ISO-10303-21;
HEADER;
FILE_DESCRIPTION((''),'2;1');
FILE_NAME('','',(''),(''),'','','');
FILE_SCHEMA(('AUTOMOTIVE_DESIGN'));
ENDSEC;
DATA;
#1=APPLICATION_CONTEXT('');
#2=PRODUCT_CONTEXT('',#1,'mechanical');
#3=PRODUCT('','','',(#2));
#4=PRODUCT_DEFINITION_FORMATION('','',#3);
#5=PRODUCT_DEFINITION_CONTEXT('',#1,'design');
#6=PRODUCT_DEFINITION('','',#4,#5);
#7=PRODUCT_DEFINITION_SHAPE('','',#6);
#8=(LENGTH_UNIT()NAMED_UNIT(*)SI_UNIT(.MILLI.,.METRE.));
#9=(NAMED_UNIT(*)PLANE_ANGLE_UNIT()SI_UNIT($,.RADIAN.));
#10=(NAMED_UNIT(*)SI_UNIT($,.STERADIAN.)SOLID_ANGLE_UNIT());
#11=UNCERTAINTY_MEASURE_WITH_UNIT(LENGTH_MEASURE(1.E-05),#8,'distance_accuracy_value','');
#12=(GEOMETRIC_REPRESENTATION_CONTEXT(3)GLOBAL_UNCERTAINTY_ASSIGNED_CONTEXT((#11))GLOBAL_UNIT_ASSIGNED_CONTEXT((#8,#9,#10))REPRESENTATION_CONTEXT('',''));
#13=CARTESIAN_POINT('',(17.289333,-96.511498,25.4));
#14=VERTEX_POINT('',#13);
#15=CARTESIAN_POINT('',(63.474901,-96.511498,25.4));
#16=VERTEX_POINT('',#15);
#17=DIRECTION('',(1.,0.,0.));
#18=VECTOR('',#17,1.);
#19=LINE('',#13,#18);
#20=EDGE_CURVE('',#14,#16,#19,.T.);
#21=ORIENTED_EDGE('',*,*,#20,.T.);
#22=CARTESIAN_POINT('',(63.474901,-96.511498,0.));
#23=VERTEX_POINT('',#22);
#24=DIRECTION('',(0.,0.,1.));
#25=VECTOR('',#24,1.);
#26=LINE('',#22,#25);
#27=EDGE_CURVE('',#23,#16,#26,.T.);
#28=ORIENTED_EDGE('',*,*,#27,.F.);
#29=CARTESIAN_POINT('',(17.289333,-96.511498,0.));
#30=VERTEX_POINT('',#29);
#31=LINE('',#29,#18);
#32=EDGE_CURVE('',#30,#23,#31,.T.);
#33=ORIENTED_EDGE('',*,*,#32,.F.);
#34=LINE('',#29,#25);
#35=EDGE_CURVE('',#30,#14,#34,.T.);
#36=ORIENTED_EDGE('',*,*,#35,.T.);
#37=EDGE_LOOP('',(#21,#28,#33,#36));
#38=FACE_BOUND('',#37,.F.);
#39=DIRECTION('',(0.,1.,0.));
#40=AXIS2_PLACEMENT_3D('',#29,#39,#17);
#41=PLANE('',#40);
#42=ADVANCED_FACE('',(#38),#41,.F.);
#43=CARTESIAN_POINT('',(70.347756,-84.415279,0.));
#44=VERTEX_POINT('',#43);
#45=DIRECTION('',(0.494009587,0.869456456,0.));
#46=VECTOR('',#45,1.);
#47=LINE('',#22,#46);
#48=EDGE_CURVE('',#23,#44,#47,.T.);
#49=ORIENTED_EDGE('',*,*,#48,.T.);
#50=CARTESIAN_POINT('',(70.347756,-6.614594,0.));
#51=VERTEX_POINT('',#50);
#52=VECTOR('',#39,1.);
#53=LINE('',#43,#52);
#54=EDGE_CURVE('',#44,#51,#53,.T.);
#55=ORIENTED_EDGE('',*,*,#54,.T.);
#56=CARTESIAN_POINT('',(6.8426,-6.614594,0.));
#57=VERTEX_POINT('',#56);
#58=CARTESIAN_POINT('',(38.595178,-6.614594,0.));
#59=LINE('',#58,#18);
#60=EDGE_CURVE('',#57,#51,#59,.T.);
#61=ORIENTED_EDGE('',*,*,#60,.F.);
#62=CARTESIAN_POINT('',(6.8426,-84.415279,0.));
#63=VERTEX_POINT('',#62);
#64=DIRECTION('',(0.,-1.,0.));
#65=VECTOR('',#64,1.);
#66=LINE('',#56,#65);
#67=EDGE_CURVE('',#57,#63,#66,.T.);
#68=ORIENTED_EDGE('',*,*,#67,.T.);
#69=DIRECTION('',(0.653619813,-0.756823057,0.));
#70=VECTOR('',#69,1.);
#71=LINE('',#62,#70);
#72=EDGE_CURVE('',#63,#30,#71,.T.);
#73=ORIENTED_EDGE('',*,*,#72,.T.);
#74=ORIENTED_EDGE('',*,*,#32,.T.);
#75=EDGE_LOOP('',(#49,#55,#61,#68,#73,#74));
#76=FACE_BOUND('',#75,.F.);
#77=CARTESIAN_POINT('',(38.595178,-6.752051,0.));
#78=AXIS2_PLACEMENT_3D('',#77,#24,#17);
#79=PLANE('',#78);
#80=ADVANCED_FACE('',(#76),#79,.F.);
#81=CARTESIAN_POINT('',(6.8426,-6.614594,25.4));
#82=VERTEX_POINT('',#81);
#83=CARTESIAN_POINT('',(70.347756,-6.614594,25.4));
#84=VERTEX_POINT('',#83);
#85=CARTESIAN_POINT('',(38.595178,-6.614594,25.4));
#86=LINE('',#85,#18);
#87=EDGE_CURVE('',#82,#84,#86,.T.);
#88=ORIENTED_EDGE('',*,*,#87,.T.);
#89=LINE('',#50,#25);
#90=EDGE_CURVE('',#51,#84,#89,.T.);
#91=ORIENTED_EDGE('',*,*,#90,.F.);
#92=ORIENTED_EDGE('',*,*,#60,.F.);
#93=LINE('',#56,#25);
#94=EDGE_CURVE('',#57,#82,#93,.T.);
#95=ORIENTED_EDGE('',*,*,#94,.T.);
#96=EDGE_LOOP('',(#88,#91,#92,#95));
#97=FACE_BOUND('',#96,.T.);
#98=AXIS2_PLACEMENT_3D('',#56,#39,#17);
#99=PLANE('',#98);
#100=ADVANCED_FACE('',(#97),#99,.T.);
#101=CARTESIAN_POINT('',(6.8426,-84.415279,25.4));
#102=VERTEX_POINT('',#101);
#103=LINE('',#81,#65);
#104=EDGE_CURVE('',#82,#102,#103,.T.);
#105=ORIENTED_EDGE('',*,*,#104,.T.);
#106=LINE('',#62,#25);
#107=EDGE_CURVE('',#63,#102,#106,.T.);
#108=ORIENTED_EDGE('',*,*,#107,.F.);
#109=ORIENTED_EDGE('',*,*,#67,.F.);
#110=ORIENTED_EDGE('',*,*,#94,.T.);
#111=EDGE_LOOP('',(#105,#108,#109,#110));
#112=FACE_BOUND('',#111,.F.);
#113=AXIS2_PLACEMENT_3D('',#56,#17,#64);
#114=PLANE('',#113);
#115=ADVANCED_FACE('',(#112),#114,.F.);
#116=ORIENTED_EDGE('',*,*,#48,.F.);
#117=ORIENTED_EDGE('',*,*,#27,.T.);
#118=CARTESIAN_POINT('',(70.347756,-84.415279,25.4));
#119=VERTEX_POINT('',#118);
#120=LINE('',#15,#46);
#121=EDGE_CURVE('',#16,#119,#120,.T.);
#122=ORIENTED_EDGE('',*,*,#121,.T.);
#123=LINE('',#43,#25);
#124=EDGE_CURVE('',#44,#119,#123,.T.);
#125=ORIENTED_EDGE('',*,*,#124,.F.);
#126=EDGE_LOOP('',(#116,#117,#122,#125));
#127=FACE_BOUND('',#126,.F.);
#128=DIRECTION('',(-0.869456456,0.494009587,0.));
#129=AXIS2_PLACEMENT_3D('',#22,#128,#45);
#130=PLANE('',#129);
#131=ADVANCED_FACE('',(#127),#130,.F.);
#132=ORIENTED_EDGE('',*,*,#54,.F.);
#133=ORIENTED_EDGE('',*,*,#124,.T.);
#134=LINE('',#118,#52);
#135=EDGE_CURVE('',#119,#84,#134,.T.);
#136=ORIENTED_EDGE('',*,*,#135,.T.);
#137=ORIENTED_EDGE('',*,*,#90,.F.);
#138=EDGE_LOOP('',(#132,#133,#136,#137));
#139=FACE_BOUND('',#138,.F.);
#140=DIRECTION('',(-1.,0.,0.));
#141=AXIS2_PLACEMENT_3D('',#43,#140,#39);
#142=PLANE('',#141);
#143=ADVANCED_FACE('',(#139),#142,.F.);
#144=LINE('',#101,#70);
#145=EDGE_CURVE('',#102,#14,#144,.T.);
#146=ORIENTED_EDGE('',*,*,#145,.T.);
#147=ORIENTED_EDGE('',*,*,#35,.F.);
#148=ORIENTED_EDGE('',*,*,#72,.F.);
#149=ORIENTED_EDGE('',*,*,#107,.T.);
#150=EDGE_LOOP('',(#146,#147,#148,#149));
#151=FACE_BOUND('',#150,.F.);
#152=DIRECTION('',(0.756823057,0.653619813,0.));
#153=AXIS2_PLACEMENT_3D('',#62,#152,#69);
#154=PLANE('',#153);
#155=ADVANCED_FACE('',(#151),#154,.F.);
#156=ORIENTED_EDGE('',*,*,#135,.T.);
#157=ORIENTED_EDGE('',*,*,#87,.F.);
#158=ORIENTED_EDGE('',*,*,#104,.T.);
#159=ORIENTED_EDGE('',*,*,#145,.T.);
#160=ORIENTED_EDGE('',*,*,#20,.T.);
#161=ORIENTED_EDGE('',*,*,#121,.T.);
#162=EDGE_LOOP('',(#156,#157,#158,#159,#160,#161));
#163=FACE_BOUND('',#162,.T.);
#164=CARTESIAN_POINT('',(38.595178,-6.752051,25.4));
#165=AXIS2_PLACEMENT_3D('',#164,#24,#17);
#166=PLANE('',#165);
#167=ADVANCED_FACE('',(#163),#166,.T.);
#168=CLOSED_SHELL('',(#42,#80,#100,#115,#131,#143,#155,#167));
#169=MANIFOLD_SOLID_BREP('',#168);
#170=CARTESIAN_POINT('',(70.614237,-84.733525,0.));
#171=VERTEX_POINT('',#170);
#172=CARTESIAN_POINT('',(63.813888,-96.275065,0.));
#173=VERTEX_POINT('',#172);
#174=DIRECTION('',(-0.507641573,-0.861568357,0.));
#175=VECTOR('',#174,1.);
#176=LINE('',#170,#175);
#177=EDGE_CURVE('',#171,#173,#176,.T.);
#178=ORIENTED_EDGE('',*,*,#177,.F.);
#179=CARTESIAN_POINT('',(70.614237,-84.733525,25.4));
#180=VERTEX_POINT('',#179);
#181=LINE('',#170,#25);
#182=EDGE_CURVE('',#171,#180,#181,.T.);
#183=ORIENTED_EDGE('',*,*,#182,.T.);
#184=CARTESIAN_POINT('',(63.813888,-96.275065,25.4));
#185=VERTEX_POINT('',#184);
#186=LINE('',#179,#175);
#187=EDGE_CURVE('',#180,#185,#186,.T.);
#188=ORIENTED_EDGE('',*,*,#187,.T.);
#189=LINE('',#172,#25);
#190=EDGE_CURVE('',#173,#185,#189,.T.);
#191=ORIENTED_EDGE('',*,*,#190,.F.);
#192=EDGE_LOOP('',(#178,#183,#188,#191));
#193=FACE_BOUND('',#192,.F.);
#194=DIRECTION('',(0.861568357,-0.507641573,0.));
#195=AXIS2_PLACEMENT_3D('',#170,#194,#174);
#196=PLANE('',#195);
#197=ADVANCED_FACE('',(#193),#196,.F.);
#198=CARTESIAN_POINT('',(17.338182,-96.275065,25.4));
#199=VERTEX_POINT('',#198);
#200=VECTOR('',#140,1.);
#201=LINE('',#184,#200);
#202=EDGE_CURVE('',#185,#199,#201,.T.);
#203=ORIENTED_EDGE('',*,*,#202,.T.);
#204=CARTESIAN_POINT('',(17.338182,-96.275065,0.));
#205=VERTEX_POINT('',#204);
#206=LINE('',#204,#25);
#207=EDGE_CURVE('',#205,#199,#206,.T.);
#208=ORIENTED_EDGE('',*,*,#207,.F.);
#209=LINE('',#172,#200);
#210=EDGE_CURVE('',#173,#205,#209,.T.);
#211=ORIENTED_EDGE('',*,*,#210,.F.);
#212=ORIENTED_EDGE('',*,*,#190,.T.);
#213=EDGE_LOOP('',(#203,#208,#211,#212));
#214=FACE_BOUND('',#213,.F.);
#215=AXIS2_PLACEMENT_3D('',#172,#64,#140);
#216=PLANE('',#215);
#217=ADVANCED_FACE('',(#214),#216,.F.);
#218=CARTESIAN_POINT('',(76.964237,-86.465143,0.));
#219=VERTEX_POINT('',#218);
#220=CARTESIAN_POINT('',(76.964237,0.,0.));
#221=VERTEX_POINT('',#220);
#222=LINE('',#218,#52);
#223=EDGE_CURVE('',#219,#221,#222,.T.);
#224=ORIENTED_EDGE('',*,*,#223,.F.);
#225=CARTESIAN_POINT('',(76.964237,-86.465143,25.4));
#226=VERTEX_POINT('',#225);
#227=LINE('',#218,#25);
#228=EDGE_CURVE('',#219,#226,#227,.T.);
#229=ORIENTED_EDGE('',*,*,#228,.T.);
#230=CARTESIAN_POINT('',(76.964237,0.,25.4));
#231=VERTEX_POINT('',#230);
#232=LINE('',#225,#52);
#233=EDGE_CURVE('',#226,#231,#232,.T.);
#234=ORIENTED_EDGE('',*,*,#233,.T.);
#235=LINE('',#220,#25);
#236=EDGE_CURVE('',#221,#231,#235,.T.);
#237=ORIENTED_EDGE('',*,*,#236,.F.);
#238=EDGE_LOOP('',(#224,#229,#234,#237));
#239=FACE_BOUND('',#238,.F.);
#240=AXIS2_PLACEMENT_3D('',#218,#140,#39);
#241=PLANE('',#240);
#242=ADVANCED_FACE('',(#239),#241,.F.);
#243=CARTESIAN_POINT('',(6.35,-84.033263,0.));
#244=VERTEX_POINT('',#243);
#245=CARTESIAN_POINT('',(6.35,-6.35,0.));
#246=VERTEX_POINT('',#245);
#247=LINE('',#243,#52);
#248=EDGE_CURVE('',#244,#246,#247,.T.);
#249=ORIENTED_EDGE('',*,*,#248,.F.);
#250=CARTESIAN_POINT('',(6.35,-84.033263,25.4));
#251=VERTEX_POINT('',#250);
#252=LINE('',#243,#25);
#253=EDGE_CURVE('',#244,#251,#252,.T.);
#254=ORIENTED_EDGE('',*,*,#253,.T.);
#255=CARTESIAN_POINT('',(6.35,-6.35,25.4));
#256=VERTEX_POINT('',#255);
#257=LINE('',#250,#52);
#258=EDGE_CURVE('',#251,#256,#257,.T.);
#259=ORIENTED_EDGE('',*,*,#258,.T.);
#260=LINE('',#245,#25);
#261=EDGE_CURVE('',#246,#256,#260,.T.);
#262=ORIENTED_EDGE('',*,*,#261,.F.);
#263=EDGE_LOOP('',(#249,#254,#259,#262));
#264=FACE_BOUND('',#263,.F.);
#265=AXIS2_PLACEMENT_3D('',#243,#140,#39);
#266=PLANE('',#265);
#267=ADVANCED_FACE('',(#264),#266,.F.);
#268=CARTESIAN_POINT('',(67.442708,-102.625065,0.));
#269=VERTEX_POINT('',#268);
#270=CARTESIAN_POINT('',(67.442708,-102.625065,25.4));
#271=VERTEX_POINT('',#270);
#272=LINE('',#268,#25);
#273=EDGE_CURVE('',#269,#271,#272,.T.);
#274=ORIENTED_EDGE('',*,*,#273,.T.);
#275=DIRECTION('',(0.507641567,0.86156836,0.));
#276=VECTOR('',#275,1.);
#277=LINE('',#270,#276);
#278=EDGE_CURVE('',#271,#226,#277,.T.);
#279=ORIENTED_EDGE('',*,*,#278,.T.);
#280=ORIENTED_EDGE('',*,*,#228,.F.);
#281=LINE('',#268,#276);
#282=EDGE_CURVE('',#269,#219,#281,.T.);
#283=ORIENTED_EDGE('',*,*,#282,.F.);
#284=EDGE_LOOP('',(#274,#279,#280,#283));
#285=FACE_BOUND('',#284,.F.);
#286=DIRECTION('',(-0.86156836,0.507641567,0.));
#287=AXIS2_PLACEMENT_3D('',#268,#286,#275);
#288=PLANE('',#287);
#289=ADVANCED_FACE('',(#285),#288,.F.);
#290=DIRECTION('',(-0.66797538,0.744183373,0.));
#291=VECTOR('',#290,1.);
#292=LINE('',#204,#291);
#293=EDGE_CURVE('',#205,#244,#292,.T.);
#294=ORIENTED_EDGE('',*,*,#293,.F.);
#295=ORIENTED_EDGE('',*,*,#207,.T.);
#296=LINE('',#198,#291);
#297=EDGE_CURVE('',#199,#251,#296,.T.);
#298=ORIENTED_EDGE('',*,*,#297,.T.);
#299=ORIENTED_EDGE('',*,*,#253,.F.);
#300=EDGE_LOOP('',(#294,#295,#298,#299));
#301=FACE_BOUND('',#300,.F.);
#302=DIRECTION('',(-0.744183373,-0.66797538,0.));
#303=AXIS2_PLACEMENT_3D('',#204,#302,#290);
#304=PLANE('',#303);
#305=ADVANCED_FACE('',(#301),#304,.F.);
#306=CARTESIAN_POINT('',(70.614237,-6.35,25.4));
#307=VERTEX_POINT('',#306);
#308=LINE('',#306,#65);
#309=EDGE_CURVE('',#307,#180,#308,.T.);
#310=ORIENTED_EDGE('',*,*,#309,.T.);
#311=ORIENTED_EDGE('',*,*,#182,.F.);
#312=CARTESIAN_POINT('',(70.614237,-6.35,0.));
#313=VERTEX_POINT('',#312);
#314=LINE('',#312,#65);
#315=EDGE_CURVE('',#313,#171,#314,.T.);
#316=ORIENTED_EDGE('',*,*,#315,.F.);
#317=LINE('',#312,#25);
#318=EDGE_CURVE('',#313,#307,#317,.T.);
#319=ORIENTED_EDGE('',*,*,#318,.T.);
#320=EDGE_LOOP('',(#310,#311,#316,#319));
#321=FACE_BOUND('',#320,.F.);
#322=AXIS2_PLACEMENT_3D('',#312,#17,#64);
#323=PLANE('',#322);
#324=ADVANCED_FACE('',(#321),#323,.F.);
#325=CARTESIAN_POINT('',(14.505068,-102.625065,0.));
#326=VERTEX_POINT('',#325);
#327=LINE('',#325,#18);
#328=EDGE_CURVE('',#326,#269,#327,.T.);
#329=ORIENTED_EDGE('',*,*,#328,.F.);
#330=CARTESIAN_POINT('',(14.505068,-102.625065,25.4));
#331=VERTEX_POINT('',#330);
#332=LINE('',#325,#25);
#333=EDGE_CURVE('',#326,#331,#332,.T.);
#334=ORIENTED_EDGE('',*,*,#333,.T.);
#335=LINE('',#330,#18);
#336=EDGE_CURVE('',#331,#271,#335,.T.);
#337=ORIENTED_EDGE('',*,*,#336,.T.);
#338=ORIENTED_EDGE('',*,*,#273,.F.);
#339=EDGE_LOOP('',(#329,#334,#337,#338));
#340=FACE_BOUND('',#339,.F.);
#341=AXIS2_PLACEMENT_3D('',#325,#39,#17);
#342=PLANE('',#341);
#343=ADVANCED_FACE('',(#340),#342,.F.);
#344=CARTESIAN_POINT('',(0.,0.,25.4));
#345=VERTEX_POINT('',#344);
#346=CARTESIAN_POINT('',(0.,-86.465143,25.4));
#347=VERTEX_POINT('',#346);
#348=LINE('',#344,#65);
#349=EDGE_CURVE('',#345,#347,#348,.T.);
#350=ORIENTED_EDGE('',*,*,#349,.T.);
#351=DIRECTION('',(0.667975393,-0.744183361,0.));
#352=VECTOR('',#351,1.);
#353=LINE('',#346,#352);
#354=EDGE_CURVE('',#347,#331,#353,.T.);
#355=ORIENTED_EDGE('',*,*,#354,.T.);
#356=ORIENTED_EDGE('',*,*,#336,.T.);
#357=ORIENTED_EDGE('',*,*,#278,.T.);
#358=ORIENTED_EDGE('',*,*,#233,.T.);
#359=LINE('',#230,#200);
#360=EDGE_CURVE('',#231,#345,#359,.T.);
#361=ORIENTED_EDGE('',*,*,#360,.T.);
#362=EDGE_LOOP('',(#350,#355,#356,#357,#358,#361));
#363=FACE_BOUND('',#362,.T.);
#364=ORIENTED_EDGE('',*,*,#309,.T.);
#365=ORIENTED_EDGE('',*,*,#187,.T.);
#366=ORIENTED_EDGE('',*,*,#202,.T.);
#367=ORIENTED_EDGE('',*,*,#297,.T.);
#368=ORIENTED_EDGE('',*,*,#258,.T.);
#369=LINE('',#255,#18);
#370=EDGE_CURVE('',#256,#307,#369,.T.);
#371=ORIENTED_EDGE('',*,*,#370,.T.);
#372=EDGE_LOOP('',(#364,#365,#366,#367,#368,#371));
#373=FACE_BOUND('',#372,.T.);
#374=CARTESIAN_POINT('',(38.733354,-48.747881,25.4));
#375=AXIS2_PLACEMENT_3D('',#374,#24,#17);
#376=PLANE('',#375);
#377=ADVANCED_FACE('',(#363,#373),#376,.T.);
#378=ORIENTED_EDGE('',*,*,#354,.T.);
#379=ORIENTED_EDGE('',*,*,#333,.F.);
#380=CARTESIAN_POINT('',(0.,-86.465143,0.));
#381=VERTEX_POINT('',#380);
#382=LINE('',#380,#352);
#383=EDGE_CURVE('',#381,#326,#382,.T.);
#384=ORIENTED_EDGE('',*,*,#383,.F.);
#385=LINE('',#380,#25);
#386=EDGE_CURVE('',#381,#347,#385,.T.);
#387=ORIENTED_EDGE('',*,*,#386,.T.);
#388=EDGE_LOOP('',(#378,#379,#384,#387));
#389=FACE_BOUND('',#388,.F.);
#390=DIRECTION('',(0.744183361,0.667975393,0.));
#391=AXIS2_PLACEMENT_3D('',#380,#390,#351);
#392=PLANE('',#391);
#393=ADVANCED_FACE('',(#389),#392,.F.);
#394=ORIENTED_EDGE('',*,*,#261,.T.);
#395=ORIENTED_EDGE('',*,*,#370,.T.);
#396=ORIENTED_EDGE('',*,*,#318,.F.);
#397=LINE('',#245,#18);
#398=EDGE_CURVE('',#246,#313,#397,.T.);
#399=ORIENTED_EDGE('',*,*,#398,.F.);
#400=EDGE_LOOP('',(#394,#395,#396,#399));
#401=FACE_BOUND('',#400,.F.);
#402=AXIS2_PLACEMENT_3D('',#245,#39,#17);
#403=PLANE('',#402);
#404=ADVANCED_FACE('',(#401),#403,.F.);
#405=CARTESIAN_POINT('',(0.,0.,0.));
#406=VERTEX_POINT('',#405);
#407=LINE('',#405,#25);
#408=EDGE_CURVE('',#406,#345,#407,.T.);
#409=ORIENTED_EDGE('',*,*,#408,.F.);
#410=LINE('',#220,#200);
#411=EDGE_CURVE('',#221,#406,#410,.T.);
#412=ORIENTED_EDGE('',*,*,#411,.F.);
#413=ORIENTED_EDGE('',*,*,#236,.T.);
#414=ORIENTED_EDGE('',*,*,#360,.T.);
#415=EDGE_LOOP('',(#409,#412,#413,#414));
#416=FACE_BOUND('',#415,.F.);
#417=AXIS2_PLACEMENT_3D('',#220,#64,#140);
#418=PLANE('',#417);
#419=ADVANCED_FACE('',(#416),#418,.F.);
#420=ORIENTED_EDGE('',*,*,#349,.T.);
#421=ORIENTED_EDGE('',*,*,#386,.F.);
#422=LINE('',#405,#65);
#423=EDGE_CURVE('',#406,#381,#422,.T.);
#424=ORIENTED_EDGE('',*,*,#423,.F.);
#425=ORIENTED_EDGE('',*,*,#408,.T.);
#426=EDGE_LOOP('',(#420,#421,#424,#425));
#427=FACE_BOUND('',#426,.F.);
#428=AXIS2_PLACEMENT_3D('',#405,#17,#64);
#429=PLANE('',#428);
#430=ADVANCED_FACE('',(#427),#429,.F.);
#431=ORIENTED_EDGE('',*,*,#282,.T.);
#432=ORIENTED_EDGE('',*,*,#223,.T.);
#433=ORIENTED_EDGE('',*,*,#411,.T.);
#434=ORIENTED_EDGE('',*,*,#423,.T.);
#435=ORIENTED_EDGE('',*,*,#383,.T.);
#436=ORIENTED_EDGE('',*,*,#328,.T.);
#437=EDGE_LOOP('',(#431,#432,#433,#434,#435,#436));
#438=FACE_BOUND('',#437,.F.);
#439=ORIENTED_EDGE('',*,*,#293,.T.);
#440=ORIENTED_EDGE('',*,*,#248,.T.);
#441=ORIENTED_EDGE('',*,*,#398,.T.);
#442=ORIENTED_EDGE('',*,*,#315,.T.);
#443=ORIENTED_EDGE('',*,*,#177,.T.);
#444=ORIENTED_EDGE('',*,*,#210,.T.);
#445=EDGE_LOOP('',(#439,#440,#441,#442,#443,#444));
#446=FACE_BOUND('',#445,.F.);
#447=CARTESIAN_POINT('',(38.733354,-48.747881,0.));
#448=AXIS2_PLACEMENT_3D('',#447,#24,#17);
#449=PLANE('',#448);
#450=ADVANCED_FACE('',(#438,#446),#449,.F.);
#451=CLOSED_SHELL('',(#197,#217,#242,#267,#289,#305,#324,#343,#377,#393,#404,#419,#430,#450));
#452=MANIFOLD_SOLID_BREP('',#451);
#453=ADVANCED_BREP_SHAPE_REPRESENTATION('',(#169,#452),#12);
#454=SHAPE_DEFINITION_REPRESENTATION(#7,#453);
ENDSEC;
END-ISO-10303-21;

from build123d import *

# Parameters (mm, degrees)
F1_DEPTH = 25.4
F2_W     = 63.505156
F2_H     = 0.274914
F3_DEPTH = 25.4


with BuildPart() as f1:
    # F0 (on Top) → F1 (new body)
    with BuildSketch(Plane.XY):
        Polygon((76.964237, 0), (0, 0), (0, -86.465143), (14.505068, -102.625065), (67.442708, -102.625065), (76.964237, -86.465143), align=None)
        Polygon((17.338182, -96.275065), (6.35, -84.033263), (6.35, -6.35), (70.614237, -6.35), (70.614237, -84.733525), (63.813888, -96.275065), align=None, mode=Mode.SUBTRACT)
    extrude(amount=F1_DEPTH)


with BuildPart() as f3:
    # F2 (on Top) → F3 (new body)
    with BuildSketch(Plane.XY):
        with Locations((38.595178, -6.752051)):
            Rectangle(F2_W, F2_H)
        Polygon((70.347756, -6.889508), (6.8426, -6.889508), (6.8426, -84.415279), (17.289333, -96.511498), (63.474901, -96.511498), (70.347756, -84.415279), align=None)
    extrude(amount=F3_DEPTH)


solid = Compound([f1.part, f3.part])
